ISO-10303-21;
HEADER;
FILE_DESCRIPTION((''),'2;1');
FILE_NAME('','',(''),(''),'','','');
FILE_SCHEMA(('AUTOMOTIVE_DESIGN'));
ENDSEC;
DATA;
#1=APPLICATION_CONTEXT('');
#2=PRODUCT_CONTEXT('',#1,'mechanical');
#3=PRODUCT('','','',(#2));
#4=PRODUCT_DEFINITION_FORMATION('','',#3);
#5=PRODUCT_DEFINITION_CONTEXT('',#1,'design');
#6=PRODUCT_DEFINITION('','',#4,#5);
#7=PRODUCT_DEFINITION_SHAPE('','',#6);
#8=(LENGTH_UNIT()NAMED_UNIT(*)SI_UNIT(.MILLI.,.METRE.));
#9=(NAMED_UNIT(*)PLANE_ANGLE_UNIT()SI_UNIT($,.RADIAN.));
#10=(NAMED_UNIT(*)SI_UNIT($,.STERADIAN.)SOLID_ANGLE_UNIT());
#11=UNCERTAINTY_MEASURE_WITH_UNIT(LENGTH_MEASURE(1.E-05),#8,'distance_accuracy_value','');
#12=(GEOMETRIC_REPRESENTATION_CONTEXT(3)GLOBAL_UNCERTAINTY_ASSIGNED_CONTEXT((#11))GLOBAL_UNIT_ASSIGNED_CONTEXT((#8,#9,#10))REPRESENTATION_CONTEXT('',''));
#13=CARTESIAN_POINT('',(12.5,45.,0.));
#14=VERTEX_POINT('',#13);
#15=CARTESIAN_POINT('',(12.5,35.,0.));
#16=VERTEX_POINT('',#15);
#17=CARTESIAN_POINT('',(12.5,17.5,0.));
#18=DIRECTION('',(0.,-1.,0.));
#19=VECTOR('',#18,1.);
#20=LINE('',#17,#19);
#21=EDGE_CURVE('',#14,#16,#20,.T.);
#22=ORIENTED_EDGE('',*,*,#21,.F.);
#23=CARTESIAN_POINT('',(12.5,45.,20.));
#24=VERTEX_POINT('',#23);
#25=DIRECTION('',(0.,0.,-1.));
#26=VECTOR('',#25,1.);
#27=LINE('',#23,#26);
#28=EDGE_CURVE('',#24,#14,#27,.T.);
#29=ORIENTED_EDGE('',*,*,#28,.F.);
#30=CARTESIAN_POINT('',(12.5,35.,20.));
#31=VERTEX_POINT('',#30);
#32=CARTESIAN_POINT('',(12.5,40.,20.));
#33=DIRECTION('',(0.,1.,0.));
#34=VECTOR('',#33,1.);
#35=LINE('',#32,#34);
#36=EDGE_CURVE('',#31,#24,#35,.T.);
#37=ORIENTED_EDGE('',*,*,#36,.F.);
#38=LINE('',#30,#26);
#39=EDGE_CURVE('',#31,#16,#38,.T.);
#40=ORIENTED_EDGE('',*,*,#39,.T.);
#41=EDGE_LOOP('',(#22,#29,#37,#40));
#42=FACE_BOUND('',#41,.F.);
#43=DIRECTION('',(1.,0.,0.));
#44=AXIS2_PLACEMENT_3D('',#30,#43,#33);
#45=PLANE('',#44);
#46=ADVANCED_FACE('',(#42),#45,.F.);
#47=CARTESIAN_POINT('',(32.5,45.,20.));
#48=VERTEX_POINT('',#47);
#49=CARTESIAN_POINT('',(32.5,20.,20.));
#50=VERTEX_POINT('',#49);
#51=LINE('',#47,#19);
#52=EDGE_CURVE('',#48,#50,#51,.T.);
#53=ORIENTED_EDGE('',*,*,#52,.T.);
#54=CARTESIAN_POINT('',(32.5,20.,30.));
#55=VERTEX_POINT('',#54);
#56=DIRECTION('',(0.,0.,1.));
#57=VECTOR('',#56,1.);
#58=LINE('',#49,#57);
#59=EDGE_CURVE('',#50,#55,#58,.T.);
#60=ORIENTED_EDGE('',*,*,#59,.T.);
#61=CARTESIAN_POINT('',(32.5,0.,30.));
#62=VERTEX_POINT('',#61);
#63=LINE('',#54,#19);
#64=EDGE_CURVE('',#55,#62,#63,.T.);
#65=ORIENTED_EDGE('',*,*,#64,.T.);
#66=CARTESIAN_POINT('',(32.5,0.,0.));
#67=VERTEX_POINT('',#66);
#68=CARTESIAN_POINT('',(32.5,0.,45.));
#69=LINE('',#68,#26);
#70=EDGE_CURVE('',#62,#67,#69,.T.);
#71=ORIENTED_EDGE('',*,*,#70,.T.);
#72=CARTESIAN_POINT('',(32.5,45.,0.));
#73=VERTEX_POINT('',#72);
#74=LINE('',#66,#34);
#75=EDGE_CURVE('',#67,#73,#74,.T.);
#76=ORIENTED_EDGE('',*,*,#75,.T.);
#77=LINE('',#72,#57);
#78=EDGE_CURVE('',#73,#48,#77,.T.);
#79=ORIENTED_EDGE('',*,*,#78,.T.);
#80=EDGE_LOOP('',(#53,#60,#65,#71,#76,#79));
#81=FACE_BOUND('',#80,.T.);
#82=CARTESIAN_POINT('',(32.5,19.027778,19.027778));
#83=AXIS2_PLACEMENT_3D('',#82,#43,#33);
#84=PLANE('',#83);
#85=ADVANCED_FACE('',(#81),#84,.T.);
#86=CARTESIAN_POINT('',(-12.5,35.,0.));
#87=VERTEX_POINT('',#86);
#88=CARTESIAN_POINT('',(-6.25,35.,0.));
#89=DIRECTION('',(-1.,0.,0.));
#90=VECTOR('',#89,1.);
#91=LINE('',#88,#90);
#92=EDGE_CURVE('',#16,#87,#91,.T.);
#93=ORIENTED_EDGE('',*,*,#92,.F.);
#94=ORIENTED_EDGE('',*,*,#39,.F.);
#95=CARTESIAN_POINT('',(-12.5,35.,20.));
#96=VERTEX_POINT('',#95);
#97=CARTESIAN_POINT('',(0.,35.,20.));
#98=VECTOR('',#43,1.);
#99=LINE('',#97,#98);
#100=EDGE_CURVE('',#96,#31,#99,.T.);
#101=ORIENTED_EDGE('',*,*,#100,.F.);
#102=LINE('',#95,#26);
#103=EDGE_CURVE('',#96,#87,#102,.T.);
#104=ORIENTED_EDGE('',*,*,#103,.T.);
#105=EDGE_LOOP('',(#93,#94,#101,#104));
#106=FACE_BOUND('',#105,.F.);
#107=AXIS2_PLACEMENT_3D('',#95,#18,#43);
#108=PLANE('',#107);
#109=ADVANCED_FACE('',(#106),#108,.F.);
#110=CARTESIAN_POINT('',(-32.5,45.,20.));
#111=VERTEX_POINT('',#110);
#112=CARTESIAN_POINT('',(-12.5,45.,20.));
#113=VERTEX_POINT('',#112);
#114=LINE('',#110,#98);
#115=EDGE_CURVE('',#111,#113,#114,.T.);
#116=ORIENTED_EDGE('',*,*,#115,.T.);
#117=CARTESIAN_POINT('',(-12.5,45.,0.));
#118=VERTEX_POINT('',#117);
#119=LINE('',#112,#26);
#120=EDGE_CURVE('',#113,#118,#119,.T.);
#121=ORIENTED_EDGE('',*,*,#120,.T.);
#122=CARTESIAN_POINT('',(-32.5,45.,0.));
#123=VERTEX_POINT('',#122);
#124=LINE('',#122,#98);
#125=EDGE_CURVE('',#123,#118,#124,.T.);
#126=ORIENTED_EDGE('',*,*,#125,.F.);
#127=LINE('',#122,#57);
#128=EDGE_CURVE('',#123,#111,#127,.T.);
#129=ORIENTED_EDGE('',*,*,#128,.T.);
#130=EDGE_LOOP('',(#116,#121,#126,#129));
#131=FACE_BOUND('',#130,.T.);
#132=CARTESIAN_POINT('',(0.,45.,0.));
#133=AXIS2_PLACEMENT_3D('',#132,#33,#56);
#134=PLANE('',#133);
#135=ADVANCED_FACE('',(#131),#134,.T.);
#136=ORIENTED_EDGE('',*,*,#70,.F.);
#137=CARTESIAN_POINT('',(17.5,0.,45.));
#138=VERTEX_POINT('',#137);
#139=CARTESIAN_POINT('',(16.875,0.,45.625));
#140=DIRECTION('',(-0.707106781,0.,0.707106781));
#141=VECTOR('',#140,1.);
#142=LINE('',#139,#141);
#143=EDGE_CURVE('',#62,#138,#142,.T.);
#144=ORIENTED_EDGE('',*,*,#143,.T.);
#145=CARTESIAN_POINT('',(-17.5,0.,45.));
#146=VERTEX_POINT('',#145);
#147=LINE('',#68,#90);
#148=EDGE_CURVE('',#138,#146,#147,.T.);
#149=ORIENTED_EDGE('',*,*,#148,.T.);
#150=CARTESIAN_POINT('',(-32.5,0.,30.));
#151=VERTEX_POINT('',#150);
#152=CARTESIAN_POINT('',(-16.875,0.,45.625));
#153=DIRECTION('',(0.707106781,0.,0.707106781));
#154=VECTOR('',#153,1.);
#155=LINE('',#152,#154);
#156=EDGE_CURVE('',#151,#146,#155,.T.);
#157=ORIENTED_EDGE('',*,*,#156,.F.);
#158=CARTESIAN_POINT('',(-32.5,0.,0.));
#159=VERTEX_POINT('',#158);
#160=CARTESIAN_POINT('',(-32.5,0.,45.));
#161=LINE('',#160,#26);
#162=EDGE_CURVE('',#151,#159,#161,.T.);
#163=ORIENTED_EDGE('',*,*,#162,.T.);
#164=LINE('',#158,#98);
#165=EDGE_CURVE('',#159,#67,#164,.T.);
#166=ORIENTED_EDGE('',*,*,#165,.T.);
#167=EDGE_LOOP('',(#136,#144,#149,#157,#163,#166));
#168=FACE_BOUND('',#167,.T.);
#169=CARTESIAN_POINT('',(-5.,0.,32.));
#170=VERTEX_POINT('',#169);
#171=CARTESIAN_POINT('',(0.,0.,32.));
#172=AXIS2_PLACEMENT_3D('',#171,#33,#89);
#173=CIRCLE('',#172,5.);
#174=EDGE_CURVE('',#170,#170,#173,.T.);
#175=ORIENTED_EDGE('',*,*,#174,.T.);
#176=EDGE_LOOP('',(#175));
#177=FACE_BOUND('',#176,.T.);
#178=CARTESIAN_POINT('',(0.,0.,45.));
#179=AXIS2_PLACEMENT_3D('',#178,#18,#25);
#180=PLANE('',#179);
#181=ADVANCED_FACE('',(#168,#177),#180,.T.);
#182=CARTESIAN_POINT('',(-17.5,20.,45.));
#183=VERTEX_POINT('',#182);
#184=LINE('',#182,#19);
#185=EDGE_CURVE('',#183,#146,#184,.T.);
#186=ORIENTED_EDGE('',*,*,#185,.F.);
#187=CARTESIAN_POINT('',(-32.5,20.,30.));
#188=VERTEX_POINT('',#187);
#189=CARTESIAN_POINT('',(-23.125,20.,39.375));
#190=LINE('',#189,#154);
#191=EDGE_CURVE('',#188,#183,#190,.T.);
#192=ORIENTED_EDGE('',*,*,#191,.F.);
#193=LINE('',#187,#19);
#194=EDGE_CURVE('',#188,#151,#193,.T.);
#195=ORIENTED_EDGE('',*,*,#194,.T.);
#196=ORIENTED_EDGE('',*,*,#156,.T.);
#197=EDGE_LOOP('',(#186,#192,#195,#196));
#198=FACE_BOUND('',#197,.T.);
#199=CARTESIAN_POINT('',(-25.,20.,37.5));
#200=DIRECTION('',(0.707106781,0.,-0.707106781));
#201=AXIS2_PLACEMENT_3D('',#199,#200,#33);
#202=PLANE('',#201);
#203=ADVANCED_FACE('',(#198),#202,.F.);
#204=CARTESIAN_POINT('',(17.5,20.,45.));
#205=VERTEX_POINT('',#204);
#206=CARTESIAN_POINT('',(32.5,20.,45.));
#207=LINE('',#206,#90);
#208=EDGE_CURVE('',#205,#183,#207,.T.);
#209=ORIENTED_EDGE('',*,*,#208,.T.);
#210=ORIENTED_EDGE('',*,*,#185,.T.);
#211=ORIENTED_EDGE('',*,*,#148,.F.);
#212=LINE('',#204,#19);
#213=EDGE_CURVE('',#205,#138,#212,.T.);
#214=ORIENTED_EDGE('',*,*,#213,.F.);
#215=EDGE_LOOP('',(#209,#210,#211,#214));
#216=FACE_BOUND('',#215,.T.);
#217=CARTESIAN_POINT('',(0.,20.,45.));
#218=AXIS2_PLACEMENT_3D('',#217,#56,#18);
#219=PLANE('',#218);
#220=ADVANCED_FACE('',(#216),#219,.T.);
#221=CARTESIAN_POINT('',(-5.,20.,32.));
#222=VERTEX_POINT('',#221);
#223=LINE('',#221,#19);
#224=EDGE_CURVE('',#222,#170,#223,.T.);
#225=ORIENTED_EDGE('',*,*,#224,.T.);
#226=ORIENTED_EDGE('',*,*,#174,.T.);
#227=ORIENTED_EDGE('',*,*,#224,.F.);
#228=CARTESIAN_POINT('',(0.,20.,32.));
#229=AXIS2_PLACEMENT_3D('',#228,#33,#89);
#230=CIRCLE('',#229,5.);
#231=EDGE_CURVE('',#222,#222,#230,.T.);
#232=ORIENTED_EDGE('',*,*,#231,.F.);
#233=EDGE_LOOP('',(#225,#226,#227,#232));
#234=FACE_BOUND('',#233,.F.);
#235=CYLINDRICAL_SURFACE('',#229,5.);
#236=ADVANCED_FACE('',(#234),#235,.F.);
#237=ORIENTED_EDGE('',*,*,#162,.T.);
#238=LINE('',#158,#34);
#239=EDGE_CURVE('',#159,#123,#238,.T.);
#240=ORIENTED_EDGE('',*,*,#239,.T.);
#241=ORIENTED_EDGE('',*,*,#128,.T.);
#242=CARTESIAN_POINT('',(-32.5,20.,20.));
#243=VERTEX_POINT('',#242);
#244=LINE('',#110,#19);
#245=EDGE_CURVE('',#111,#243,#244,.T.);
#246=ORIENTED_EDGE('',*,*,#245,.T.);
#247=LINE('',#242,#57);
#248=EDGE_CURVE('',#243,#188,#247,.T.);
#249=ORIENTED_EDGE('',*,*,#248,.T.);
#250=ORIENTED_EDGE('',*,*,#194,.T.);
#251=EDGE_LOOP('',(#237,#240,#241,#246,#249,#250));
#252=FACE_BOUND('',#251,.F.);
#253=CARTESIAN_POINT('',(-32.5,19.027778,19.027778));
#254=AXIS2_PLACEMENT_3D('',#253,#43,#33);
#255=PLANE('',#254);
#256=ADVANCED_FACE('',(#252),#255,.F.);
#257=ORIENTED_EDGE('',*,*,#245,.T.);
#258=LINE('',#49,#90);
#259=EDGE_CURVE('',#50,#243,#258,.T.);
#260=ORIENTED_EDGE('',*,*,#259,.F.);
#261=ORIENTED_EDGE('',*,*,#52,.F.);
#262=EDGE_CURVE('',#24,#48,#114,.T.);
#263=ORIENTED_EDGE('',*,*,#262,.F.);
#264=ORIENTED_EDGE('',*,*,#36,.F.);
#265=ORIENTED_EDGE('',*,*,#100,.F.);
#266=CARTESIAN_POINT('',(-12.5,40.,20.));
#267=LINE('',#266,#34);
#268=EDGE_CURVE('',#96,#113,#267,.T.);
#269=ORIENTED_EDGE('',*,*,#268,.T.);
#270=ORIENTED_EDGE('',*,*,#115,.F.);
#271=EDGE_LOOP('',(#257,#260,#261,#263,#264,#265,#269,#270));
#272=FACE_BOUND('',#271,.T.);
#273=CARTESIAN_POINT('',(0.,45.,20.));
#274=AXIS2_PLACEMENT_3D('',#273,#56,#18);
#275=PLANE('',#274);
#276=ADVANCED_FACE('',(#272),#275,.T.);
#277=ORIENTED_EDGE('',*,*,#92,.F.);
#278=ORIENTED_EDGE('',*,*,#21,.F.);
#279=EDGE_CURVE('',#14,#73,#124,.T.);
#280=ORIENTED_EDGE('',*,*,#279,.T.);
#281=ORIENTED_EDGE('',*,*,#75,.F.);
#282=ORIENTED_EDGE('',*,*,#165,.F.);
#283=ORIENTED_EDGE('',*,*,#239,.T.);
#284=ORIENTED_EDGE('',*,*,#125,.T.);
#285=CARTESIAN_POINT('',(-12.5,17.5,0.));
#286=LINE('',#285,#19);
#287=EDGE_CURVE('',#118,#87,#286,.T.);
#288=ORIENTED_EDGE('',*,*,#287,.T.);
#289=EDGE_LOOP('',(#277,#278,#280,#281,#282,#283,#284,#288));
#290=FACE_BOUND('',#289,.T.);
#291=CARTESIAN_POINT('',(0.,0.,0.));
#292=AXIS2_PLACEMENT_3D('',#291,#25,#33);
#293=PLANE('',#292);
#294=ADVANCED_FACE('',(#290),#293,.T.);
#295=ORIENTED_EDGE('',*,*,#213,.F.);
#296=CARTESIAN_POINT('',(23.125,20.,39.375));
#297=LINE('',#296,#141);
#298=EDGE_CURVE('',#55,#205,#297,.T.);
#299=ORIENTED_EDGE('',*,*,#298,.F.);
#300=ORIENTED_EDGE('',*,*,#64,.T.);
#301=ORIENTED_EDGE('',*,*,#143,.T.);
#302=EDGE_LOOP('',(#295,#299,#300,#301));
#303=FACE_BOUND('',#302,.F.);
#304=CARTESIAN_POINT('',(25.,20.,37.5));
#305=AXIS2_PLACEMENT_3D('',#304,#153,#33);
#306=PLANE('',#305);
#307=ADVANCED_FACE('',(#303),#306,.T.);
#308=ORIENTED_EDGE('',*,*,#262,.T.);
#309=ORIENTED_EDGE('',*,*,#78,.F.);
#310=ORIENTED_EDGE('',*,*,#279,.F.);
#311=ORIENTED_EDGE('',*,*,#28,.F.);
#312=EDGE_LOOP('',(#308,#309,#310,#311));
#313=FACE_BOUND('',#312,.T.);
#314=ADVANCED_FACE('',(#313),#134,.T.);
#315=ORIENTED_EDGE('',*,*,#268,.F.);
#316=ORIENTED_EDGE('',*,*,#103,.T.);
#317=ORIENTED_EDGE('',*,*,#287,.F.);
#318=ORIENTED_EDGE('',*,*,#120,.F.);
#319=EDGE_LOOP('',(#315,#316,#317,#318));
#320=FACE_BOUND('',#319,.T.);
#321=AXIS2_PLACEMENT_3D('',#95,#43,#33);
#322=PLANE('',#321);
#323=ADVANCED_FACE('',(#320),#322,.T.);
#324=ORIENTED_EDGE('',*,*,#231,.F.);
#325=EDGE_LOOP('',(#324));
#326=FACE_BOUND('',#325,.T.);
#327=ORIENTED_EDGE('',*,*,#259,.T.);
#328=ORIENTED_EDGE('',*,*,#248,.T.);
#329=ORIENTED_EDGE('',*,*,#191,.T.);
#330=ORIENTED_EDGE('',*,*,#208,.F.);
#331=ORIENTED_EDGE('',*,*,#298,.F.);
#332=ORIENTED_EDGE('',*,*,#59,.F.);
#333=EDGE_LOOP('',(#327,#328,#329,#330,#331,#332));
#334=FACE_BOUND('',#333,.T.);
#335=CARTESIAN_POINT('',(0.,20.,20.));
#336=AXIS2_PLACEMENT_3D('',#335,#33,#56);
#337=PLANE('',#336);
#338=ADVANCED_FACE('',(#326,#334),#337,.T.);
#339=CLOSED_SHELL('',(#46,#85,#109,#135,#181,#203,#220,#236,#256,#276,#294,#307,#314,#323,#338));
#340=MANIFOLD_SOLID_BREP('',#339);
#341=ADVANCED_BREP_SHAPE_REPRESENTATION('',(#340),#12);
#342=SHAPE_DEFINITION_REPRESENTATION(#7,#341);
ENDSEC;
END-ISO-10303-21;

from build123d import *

# Parameters (mm, degrees)
F1_DEPTH = 32.5
F2_W     = 25
F2_H     = 10
F3_DEPTH = 20.001
F4_SIZE  = 15
F5_R     = 5
F6_DEPTH = 20.001


with BuildPart() as f1:
    # F0 (on Right) → F1 (new body, symmetric)
    with BuildSketch(Plane.YZ):
        Polygon((0, 45), (0, 0), (45, 0), (45, 20), (20, 20), (20, 45), align=None)
    extrude(amount=F1_DEPTH, both=True)

    # F2 (on face) → F3 (cut, through all)
    with BuildSketch(Plane.XY.offset(20)):
        with Locations((0, 40)):
            Rectangle(F2_W, F2_H)
    extrude(amount=-F3_DEPTH, mode=Mode.SUBTRACT)

    # F4
    f4_edges = [f1.edges().sort_by_distance(p)[0] for p in [
        (32.5, 10, 45),
        (-32.5, 10, 45),
    ]]
    chamfer(f4_edges, length=F4_SIZE)

    # F5 (on face) → F6 (cut, through all)
    with BuildSketch(Plane(origin=(0, 20, 0), x_dir=(-1, 0, 0), z_dir=(0, 1, 0))):
        with Locations((0, 32)):
            Circle(F5_R)
    extrude(amount=-F6_DEPTH, mode=Mode.SUBTRACT)


solid = f1.part
